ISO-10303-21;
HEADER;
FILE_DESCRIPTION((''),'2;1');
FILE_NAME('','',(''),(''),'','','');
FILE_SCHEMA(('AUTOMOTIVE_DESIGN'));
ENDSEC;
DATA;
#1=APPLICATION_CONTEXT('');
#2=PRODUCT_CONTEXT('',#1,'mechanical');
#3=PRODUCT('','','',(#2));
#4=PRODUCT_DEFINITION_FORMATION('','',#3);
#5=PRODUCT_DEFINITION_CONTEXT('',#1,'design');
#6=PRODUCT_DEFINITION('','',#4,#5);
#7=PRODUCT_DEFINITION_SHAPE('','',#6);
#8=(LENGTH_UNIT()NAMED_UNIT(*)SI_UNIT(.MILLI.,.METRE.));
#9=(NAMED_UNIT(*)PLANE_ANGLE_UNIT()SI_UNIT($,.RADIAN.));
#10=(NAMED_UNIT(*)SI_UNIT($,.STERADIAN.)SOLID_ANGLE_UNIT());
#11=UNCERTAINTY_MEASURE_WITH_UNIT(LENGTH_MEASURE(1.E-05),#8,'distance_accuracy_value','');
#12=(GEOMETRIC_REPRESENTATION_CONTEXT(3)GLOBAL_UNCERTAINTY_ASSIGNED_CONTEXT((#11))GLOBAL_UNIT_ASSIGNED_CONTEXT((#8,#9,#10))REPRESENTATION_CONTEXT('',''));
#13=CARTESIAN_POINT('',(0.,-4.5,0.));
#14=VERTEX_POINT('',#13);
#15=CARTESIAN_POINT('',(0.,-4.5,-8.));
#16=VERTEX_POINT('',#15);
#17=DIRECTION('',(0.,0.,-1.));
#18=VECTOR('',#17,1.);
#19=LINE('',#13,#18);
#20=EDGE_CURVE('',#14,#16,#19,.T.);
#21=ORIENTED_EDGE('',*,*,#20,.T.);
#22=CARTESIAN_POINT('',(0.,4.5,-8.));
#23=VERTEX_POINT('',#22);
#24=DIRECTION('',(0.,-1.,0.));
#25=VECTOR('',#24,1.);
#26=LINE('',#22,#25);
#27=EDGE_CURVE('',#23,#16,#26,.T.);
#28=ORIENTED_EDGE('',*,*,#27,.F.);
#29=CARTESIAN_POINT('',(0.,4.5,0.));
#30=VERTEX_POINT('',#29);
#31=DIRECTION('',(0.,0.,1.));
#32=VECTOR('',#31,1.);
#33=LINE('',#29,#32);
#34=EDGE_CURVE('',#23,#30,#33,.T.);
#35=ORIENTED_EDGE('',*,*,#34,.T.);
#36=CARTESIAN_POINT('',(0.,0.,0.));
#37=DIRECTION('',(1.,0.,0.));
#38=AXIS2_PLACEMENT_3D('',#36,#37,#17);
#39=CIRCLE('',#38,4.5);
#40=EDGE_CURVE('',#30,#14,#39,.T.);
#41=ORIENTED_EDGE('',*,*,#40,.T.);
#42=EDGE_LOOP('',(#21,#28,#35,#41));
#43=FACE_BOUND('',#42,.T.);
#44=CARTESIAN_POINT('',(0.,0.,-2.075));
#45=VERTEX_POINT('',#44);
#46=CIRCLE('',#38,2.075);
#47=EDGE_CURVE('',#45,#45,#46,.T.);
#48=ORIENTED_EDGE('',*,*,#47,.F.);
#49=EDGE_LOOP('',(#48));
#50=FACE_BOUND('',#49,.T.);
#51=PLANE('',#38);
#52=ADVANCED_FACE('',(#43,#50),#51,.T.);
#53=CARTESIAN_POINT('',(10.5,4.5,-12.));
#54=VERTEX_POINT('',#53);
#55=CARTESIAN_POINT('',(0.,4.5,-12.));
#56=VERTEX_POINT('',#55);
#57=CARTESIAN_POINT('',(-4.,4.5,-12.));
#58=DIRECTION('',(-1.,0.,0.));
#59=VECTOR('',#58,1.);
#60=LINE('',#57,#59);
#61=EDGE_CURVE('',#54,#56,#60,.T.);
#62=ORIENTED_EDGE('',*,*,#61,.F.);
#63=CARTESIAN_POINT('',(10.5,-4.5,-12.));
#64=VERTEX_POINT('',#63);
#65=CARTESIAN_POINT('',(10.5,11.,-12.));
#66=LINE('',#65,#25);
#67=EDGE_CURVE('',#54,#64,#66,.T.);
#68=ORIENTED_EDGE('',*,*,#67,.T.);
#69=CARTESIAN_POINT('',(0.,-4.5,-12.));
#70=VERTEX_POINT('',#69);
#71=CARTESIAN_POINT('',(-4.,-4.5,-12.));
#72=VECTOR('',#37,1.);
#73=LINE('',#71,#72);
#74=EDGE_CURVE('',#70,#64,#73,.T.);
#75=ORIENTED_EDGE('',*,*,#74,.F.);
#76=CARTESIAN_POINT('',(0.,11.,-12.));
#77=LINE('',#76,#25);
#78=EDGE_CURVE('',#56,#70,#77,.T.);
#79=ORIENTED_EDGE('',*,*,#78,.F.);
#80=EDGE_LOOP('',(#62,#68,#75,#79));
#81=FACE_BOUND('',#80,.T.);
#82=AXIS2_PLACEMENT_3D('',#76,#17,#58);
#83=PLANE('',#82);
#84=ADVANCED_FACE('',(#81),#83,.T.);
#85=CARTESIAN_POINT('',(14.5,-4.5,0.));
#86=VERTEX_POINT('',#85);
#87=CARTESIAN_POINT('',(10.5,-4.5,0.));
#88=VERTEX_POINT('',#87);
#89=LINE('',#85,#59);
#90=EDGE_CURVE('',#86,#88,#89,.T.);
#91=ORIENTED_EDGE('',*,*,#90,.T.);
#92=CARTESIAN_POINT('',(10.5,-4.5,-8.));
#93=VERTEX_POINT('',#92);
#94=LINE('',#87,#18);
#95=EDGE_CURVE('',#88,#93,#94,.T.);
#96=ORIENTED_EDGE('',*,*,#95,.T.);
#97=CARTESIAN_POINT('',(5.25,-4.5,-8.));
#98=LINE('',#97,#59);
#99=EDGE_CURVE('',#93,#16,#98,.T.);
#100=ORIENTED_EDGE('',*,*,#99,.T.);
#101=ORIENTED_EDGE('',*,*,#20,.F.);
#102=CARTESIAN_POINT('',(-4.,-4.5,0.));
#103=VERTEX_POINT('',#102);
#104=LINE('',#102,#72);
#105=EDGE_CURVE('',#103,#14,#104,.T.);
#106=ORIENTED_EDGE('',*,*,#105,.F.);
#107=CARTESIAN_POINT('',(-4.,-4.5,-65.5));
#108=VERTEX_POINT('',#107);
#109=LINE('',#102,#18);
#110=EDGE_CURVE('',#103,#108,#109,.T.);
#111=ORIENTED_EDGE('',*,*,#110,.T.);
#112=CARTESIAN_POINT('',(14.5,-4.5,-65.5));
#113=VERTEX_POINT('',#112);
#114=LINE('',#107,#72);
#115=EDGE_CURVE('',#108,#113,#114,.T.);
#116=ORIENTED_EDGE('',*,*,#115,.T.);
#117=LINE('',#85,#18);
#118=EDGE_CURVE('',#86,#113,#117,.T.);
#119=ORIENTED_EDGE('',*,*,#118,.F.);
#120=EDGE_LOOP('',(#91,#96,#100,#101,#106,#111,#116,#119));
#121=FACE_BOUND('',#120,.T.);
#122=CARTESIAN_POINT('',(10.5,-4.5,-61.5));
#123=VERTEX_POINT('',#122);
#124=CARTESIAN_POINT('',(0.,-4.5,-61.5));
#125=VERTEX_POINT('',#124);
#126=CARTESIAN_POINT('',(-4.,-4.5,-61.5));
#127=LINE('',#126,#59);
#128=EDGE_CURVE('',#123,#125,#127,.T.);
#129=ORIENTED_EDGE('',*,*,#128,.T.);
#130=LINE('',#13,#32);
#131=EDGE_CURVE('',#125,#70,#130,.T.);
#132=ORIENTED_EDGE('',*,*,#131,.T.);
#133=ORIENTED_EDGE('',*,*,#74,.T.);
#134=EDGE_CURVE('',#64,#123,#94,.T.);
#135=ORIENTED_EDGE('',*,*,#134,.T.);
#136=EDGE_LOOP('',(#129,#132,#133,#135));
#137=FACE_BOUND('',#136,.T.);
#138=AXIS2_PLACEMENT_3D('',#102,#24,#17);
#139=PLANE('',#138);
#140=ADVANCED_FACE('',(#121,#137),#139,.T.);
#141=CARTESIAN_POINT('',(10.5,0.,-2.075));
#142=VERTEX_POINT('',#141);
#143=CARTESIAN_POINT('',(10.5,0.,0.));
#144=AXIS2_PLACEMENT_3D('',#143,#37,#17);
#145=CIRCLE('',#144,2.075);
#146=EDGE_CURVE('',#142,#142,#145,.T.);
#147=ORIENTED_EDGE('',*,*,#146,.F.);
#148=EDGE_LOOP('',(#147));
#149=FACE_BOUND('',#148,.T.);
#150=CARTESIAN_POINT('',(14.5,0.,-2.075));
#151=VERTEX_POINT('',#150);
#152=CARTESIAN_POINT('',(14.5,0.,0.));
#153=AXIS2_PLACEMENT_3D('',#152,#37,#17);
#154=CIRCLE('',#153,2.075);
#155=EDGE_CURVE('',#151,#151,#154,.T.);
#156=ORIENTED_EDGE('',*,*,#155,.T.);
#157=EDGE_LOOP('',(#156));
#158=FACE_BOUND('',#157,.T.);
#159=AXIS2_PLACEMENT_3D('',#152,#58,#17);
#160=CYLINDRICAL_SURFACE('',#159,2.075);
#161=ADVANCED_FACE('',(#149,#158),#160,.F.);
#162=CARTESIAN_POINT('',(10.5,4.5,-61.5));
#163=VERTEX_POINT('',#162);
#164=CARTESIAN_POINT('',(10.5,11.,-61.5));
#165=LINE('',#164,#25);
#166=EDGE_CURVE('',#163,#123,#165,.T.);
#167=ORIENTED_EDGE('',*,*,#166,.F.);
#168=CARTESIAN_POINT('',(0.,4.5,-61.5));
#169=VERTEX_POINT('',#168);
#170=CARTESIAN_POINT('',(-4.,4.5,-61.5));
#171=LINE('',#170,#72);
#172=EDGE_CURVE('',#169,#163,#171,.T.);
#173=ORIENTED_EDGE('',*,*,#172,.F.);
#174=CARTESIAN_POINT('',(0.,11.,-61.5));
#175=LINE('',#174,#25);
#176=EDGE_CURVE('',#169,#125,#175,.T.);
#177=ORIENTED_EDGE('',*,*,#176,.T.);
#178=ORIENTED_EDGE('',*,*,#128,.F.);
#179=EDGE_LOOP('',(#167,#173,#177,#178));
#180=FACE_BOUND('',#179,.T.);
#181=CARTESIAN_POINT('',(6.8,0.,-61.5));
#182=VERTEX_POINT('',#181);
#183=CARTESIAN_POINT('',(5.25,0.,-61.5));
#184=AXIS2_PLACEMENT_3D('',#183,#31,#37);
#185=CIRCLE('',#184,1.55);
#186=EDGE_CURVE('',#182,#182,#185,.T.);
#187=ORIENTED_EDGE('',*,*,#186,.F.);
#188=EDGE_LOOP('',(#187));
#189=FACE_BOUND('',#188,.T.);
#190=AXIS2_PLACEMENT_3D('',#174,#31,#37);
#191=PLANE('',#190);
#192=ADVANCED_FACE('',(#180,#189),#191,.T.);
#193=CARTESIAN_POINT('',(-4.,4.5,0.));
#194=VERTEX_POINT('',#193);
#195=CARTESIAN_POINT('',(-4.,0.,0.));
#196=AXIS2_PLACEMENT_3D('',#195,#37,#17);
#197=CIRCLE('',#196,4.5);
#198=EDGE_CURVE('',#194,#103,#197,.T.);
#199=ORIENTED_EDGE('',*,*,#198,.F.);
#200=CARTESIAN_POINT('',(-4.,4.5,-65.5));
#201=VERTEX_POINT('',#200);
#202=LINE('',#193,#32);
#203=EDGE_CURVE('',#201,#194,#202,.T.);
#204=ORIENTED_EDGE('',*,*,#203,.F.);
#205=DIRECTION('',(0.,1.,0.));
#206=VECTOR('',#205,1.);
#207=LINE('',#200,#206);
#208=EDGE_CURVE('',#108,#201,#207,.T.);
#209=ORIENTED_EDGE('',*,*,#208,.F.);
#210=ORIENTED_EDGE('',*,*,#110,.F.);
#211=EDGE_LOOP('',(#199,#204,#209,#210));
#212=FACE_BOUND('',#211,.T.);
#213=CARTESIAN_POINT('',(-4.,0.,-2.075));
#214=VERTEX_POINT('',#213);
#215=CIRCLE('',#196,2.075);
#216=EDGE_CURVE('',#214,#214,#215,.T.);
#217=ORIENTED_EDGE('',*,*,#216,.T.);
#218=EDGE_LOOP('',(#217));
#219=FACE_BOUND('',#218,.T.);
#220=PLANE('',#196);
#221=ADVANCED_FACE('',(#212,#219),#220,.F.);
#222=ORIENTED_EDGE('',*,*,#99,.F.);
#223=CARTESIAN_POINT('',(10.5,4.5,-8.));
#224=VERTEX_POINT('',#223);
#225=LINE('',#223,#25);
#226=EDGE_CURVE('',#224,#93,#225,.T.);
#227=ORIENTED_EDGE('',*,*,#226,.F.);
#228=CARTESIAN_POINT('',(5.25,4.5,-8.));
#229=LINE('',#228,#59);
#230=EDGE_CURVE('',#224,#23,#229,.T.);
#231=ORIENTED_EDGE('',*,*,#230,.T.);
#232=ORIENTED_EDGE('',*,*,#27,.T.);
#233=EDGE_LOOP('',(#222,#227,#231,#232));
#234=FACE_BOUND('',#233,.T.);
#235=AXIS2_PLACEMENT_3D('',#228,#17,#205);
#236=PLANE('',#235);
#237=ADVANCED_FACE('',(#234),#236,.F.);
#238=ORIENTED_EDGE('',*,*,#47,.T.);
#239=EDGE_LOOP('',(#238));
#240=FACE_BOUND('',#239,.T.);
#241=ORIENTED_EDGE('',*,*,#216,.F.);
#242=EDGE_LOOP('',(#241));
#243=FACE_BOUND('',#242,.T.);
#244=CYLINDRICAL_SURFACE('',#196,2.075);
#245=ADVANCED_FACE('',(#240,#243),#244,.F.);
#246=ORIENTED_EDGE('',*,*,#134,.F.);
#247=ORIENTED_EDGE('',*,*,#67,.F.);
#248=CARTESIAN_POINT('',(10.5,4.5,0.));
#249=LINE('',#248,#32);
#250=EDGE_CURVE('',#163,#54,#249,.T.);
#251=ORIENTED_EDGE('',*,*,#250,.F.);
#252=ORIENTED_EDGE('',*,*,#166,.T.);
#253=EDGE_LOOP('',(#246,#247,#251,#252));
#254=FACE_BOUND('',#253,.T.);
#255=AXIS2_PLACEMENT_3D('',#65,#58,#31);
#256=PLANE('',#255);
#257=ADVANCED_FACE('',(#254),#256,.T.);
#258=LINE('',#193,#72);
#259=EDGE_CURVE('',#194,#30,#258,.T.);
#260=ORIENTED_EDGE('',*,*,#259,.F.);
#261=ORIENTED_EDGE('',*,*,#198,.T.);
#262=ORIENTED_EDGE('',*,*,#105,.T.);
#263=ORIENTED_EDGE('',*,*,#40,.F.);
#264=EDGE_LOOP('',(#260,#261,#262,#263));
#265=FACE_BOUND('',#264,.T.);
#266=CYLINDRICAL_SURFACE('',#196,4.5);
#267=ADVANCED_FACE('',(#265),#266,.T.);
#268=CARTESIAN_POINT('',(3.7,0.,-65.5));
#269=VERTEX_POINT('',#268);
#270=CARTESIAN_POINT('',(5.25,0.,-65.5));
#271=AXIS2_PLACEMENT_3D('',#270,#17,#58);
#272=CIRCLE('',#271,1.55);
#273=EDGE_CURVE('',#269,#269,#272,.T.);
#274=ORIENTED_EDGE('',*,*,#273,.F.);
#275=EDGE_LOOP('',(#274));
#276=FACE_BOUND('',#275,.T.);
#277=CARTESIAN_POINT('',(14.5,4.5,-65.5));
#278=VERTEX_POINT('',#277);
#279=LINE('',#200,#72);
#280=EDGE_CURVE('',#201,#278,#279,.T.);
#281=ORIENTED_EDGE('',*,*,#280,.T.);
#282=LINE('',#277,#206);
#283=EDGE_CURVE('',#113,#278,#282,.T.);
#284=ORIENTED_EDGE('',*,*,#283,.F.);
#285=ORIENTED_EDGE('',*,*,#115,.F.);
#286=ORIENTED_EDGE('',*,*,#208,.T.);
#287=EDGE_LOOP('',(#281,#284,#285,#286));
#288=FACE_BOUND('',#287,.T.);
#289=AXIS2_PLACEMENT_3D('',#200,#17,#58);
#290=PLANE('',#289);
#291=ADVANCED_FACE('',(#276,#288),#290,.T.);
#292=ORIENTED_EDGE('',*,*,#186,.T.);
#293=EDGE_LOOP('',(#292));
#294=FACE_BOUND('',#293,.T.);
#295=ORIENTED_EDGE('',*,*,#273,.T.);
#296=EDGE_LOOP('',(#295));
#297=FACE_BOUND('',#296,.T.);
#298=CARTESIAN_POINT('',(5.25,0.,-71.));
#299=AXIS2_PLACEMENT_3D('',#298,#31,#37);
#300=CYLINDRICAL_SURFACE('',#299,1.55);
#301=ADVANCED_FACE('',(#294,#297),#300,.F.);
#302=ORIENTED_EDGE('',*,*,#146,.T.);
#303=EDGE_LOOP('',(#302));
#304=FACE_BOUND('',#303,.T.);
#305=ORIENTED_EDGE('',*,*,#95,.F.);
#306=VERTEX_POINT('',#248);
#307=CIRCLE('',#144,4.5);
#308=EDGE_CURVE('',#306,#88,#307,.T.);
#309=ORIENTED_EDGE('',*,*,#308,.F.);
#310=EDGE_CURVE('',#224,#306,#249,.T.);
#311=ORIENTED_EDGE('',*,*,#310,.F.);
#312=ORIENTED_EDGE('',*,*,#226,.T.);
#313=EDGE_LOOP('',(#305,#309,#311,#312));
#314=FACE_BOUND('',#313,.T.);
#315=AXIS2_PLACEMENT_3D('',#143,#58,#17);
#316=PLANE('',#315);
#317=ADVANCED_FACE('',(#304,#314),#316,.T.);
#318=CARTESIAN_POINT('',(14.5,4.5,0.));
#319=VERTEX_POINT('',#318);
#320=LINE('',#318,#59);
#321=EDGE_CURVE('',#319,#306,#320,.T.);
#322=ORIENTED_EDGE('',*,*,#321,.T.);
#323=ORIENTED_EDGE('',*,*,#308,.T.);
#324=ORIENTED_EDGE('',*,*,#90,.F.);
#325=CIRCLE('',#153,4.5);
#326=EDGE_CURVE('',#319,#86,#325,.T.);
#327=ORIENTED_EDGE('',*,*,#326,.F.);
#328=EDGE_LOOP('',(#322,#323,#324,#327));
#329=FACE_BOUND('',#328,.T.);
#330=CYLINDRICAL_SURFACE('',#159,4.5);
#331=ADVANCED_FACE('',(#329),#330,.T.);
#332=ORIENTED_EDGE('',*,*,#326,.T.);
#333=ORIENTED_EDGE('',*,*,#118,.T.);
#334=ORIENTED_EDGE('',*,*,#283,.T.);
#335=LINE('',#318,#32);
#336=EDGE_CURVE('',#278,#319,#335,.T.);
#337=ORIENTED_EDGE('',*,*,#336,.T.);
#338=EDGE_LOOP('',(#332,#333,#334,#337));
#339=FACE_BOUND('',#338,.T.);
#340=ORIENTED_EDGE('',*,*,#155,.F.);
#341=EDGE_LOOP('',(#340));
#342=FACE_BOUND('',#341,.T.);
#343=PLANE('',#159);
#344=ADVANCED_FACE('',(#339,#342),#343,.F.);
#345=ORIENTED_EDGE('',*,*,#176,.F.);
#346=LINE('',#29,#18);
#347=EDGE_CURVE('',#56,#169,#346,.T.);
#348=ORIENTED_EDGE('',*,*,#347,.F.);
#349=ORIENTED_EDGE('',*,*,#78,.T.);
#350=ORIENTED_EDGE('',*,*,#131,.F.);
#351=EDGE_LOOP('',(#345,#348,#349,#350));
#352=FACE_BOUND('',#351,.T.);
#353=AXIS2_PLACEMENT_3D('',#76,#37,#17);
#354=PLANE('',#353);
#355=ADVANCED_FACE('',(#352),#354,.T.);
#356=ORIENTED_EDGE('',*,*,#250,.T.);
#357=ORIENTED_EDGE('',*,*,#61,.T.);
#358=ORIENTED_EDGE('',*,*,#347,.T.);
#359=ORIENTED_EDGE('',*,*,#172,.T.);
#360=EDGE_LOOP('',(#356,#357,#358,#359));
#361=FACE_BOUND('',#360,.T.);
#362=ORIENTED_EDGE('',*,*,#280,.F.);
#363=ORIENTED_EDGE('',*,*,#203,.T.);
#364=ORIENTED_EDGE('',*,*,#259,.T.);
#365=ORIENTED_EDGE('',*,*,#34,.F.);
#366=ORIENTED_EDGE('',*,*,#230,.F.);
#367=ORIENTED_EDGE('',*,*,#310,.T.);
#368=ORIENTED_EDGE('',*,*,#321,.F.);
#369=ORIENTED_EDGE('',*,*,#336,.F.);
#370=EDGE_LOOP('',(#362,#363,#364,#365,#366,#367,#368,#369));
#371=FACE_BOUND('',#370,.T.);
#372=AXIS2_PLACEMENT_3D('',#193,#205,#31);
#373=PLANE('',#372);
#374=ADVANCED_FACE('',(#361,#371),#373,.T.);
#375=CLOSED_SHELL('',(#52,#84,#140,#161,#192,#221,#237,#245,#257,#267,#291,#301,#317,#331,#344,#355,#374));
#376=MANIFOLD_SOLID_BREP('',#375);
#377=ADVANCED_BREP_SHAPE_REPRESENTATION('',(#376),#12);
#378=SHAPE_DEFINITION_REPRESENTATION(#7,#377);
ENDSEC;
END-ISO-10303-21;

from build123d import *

# Parameters (mm, degrees)
SKETCH1_R               = 2.075
BOSS_EXTRUDE1_DEPTH     = 4
SKETCH2_W               = 57.5
SKETCH2_H               = 9
BOSS_EXTRUDE2_DEPTH     = 5.25
CUT_EXTRUDE1_DEPTH      = 11
CUT_EXTRUDE1_DEPTH_BACK = 11
SKETCH3_W               = 10.5
SKETCH3_H               = 49.5
SKETCH4_R               = 1.55
CUT_EXTRUDE2_DEPTH      = 11


with BuildPart() as part:
    # Sketch1 → Boss-Extrude1 (new body)
    with BuildSketch(Plane(origin=(0, 0, 0), x_dir=(0, 0, -1), z_dir=(1, 0, 0))):
        with BuildLine():
            Line((0, 4.5), (65.5, 4.5))
            Line((65.5, 4.5), (65.5, -4.5))
            Line((65.5, -4.5), (0, -4.5))
            ThreePointArc((0, -4.5), (-4.5, 0), (0, 4.5))
        make_face()
        Circle(SKETCH1_R, mode=Mode.SUBTRACT)
    extrude(amount=-BOSS_EXTRUDE1_DEPTH)

    # Sketch2 → Boss-Extrude2 (add)
    with BuildSketch(Plane(origin=(0, 0, 0), x_dir=(0, 0, -1), z_dir=(1, 0, 0))):
        with Locations((36.75, 0)):
            Rectangle(SKETCH2_W, SKETCH2_H)
    extrude(amount=BOSS_EXTRUDE2_DEPTH)

    # Mirror2: part across plane


with BuildPart() as part_1:
    add(part.part)
    add(part.part.mirror(Plane(origin=(5.25, 0, 0), x_dir=(0, 0, 1), z_dir=(1, 0, 0))))

    # Sketch3 → Cut-Extrude1 (cut, two sides: drawn at the far end of the back side and taken through both)
    with BuildSketch(Plane(origin=(0, 0, 0), x_dir=(1, 0, 0), z_dir=(0, 1, 0)).offset(-CUT_EXTRUDE1_DEPTH_BACK)):
        with Locations((5.25, 36.75)):
            Rectangle(SKETCH3_W, SKETCH3_H)
    extrude(amount=CUT_EXTRUDE1_DEPTH + CUT_EXTRUDE1_DEPTH_BACK, mode=Mode.SUBTRACT)

    # Sketch4 → Cut-Extrude2 (cut)
    with BuildSketch(Plane.XY.offset(-60)):
        with Locations((5.25, 0)):
            Circle(SKETCH4_R)
    extrude(amount=-CUT_EXTRUDE2_DEPTH, mode=Mode.SUBTRACT)


solid = part_1.part
